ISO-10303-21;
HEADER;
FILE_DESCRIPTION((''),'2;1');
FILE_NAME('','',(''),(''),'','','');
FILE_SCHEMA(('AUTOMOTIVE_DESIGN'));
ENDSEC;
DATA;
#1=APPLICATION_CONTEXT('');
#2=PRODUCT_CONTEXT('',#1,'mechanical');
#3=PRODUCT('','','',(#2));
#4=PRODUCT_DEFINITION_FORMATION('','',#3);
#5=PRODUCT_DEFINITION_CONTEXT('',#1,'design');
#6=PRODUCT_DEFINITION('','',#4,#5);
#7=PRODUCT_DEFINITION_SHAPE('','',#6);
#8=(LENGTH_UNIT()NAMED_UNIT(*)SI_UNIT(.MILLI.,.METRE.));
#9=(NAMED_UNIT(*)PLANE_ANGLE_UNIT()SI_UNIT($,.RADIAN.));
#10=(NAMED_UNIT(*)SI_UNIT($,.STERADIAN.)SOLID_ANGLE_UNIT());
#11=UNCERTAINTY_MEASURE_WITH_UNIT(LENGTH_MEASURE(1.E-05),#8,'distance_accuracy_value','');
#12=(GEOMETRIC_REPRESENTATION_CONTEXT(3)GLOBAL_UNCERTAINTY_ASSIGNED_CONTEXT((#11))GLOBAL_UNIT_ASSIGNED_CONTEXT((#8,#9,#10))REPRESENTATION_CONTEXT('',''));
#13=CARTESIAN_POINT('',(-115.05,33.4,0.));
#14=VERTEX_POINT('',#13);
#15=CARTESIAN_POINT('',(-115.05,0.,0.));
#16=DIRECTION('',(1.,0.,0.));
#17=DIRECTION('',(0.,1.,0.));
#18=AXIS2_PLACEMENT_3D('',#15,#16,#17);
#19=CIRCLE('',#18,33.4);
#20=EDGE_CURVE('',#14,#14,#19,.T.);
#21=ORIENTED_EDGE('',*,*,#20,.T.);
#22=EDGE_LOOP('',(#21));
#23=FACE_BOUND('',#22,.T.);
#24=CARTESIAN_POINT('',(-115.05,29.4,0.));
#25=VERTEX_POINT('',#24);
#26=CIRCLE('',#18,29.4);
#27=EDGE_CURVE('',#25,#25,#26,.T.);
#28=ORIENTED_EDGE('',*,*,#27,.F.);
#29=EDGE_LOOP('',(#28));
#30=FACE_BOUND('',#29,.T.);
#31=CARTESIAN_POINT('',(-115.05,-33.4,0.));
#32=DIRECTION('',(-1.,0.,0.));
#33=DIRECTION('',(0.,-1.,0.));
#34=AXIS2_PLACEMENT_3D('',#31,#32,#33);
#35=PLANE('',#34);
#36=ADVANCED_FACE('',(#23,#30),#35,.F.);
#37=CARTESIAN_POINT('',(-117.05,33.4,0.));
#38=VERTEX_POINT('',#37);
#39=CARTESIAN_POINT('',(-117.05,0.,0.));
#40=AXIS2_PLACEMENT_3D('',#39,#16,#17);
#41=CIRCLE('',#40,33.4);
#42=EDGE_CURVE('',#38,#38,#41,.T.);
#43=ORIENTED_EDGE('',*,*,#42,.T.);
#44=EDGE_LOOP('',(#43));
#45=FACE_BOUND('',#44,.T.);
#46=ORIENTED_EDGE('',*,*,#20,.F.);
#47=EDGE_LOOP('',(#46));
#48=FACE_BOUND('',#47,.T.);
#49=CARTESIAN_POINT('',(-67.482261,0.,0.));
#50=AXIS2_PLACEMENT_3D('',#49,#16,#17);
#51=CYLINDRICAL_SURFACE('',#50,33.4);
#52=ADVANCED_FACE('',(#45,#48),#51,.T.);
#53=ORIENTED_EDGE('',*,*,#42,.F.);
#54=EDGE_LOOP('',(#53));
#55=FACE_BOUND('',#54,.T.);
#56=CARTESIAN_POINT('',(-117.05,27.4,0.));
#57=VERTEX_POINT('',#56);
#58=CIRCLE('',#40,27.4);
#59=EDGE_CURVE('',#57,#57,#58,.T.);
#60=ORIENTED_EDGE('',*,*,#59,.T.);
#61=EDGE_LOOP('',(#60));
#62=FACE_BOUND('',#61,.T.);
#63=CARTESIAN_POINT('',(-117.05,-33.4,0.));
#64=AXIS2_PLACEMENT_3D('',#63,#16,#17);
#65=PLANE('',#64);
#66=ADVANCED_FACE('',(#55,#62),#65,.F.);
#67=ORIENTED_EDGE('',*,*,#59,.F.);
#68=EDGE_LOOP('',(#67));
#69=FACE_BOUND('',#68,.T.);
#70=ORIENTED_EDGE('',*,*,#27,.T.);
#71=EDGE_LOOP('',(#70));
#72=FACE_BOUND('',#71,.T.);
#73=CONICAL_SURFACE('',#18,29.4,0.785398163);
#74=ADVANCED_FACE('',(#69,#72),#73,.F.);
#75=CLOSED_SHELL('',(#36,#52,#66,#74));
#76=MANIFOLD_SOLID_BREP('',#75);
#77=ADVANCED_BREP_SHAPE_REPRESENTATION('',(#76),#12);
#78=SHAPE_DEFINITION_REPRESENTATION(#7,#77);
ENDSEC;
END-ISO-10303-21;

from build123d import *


with BuildPart() as part:
    # Skica1 → Rotovat1 (revolve)
    with BuildSketch(Plane.XY):
        Polygon((-115.05, -33.4), (-117.05, -33.4), (-117.05, -27.4), (-115.05, -29.4), align=None)
    revolve(axis=Axis((-67.482261058, 0, 0), (-1, 0, 0)))


solid = part.part
